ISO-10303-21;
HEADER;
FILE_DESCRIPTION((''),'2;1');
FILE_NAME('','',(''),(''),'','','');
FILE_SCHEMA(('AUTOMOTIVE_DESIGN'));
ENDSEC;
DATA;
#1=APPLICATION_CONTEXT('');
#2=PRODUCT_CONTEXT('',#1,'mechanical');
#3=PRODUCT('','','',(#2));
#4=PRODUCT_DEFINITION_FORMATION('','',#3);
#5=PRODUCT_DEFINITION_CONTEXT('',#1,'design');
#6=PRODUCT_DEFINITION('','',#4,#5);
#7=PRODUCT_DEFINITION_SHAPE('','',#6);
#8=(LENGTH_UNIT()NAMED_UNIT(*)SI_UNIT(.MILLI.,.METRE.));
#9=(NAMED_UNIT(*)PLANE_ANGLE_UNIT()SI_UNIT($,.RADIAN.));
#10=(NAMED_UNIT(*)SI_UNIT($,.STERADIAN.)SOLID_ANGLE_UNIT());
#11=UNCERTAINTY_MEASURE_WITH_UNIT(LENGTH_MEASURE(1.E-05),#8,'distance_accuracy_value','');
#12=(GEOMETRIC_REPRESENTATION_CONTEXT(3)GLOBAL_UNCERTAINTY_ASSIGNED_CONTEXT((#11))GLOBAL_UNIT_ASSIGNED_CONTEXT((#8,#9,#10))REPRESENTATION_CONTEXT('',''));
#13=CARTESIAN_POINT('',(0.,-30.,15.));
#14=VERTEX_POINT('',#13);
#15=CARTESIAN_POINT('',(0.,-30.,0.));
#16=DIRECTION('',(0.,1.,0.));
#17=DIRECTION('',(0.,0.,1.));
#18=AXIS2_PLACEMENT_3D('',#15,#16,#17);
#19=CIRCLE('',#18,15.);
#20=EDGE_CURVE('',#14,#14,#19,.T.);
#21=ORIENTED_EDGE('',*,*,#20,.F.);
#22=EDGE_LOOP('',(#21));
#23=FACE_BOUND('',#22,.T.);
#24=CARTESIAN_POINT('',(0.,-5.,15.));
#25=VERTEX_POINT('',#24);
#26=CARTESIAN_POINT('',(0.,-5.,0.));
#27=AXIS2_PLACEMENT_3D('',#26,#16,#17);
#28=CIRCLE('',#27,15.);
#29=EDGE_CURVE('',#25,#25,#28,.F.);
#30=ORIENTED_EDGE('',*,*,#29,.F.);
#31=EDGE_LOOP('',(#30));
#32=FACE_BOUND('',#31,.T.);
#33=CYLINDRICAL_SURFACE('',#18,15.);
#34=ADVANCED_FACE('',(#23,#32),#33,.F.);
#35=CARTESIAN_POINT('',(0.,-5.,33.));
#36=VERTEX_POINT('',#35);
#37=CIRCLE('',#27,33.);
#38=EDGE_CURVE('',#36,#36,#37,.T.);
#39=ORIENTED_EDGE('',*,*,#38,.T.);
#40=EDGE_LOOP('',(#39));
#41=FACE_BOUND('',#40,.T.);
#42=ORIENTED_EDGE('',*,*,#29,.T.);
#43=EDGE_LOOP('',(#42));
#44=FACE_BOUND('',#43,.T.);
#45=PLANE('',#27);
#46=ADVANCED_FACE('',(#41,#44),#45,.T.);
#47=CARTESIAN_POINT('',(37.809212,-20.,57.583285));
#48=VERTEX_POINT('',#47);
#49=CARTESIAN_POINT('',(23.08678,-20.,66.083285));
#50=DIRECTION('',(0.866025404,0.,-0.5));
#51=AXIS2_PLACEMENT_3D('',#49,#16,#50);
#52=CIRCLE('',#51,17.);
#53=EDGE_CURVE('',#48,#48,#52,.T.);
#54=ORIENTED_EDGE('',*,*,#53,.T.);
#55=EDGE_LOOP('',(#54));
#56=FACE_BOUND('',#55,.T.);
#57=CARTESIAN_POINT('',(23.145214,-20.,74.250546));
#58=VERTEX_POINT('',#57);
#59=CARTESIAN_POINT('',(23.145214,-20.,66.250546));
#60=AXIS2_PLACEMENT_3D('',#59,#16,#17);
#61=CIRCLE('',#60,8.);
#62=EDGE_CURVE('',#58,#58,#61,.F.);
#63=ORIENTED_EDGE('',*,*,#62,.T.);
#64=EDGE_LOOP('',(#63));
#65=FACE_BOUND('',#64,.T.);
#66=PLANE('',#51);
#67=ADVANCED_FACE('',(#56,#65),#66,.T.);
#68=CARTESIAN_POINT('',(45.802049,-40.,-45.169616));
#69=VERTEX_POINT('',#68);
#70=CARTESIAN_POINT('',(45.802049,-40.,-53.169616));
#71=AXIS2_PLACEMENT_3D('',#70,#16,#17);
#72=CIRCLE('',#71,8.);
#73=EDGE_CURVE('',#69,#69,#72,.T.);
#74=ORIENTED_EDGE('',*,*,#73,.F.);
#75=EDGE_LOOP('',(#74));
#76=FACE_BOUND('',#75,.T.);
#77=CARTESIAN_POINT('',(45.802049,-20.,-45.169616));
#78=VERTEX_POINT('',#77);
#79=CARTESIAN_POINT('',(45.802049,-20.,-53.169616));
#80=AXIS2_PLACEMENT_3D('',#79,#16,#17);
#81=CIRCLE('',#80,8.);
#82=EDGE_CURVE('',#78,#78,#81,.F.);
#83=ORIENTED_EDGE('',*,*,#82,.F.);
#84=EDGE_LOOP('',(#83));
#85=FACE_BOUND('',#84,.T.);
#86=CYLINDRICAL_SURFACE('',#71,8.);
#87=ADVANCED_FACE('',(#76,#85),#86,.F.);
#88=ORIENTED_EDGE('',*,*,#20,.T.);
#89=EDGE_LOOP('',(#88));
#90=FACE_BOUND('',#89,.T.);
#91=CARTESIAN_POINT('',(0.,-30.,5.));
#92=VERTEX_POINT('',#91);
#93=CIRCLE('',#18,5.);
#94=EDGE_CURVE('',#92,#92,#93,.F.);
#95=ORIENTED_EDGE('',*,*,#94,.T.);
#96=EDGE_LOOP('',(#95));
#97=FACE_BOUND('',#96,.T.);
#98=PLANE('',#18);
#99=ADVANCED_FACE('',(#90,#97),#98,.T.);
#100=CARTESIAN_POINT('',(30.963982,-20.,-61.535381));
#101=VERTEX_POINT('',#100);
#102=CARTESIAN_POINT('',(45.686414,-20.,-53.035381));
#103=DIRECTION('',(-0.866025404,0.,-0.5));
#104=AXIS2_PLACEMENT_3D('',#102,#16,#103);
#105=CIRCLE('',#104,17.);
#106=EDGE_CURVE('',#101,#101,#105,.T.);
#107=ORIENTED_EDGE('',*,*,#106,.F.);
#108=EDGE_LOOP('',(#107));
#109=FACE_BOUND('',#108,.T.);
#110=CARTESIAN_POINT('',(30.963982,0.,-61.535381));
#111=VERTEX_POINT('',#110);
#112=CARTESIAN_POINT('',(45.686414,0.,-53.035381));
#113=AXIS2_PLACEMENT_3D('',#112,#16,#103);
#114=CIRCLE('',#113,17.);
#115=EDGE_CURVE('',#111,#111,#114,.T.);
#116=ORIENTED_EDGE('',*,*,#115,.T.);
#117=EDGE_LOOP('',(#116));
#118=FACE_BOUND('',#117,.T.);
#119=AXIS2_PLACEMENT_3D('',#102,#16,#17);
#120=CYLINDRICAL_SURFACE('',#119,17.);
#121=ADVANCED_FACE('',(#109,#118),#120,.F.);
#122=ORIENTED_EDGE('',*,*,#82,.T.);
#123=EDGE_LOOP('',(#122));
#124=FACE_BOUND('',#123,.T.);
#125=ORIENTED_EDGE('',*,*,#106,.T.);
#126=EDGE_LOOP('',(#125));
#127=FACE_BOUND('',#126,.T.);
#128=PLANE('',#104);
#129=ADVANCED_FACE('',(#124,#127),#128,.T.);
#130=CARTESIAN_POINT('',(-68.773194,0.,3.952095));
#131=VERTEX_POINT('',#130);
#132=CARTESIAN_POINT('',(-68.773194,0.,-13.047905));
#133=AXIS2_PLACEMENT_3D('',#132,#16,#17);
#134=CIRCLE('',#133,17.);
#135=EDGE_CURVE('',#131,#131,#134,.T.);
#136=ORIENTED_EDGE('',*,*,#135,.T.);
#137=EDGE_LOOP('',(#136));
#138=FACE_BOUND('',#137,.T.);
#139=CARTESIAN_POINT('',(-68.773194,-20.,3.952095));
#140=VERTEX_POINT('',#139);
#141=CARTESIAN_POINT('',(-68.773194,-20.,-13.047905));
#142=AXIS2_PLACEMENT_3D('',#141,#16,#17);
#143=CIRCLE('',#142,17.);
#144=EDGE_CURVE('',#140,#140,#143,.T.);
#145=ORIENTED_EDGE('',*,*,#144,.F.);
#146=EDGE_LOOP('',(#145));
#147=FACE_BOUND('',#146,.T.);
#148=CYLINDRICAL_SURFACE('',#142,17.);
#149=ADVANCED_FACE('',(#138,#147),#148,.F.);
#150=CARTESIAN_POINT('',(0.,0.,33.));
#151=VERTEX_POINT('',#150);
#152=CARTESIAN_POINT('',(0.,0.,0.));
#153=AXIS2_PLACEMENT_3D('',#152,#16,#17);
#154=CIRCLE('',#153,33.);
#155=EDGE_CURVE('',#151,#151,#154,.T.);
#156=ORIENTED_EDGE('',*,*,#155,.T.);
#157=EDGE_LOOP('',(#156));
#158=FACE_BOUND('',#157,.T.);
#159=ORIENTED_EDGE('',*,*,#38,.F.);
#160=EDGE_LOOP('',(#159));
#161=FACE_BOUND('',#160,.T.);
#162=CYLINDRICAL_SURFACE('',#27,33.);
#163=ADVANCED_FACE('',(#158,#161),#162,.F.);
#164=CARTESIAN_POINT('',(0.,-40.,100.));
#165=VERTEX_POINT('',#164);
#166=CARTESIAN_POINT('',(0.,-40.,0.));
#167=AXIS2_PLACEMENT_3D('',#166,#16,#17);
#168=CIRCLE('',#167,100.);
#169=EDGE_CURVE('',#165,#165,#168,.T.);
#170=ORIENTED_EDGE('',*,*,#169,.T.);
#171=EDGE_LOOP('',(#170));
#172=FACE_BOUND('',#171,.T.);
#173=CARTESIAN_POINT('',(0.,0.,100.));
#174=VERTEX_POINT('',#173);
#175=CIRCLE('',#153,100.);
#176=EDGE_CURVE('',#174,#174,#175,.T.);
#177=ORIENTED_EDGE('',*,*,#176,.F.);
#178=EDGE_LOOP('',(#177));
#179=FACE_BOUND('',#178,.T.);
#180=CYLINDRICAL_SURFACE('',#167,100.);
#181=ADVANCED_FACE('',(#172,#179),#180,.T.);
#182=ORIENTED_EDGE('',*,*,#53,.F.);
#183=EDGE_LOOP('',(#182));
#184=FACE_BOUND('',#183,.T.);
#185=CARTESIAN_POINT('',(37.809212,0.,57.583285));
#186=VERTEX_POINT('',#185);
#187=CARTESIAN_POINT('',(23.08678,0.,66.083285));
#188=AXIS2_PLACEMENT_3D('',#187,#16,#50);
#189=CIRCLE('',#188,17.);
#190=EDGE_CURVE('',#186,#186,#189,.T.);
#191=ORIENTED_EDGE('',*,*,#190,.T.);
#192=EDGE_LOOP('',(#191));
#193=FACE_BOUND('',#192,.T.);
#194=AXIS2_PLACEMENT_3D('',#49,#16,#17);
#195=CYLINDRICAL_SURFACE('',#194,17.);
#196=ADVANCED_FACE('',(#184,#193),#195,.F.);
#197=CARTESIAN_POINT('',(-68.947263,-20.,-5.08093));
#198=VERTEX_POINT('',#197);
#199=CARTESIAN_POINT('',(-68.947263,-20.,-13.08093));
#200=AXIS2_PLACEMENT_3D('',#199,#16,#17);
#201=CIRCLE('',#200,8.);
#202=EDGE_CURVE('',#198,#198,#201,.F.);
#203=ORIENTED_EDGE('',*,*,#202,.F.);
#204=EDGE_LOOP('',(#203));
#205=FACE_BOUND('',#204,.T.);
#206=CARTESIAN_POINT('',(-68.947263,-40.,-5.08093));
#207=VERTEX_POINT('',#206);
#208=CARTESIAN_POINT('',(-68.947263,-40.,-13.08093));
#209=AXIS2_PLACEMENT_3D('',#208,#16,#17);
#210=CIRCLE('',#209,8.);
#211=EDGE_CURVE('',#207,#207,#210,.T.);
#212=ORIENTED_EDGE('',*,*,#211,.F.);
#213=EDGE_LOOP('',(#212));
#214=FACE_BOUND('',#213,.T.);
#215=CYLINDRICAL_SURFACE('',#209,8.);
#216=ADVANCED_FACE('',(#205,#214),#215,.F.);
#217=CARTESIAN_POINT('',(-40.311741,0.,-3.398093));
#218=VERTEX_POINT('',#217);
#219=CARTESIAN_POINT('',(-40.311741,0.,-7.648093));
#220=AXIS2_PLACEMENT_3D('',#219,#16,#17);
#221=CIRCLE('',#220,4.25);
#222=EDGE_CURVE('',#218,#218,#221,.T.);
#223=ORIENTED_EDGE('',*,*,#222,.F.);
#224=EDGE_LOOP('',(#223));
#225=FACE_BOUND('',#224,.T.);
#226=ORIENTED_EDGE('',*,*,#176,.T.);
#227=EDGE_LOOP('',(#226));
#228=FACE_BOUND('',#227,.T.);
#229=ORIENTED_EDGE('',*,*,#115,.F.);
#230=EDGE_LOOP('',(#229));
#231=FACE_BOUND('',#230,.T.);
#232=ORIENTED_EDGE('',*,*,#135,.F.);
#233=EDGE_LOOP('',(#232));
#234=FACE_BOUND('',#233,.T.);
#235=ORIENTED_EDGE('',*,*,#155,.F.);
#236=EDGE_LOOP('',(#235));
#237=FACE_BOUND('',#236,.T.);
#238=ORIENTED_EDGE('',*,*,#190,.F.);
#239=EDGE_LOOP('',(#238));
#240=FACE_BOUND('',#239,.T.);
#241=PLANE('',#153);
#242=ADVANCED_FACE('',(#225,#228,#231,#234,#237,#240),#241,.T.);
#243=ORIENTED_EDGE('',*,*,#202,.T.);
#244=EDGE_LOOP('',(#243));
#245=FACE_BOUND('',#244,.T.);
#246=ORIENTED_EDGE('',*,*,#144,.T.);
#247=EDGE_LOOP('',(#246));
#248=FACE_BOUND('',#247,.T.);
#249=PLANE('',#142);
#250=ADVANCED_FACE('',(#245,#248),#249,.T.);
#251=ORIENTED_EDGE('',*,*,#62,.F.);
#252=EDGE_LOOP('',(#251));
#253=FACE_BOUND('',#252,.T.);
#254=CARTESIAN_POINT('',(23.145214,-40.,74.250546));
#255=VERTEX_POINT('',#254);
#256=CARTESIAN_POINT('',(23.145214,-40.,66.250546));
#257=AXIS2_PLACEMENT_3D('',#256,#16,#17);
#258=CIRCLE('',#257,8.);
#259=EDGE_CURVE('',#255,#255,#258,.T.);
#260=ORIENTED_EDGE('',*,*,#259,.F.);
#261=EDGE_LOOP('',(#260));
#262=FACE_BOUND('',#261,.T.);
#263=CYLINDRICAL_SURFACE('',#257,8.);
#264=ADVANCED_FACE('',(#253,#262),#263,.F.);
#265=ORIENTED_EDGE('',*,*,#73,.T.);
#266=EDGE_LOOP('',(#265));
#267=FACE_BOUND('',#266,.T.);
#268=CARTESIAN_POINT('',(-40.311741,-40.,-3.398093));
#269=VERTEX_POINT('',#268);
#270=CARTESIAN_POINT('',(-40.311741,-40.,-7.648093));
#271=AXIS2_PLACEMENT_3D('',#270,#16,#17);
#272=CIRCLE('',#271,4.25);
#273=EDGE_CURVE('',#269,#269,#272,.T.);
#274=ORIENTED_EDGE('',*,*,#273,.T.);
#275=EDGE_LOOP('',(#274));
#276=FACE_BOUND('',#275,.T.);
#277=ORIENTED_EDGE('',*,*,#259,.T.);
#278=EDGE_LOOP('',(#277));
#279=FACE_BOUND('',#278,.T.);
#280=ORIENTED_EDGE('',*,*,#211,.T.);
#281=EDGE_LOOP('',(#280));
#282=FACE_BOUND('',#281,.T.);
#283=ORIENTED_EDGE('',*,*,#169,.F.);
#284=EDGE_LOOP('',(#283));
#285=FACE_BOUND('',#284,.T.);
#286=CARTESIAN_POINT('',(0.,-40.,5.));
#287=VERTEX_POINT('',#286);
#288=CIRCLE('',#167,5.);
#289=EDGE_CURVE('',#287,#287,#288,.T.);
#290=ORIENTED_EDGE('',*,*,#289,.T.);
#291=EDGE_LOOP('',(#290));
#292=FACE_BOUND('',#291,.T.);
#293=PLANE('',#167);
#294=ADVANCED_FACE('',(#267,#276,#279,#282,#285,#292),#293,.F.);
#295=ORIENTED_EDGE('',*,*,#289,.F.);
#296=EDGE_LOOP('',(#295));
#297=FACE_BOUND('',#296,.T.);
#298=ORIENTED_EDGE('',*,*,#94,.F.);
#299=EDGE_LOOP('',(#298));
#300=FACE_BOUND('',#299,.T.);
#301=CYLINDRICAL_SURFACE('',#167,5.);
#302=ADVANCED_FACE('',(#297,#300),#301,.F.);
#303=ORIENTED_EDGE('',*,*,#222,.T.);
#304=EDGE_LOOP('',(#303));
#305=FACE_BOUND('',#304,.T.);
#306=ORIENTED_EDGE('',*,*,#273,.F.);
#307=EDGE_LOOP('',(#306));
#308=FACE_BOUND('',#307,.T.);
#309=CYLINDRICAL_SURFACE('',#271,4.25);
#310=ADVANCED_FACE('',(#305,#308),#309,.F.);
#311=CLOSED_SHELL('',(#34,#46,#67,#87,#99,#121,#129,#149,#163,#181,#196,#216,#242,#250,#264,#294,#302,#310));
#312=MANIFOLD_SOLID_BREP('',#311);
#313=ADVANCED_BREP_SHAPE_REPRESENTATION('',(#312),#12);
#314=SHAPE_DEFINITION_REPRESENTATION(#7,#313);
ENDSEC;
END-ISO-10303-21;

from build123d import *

# Parameters (mm, degrees)
ESQUISSE1_R                  = 100
ESQUISSE1_R_2                = 4.25
ESQUISSE1_R_3                = 8
BOSS_EXTRU_1_DEPTH           = 40
ESQUISSE3_R                  = 5
ENL_V_MAT_EXTRU_2_DEPTH      = 41
ESQUISSE5_R                  = 15
ENL_V_MAT_EXTRU_3_DEPTH      = 30
ESQUISSE6_R                  = 33
ENL_V_MAT_EXTRU_4_DEPTH      = 5
ESQUISSE8_R                  = 17
ENL_V_MAT_EXTRU_5_DEPTH      = 20
R_P_TITION_CIRCULAIRE1_COUNT = 3


with BuildPart() as part:
    # Esquisse1 → Boss.-Extru.1 (new body)
    with BuildSketch(Plane(origin=(0, 0, 0), x_dir=(1, 0, 0), z_dir=(0, 1, 0))):
        with Locations(Location((0, 0, 0), (0, 0, 270))):  # turned: the seam where the file's is
            Circle(ESQUISSE1_R)
        with Locations(Location((-40.311740852, 7.648092634, 0), (0, 0, 270))):  # turned: the seam where the file's is
            Circle(ESQUISSE1_R_2, mode=Mode.SUBTRACT)
        with Locations(Location((-68.947262615, 13.080929779, 0), (0, 0, 270))):  # turned: the seam where the file's is
            Circle(ESQUISSE1_R_3, mode=Mode.SUBTRACT)
        with Locations(Location((45.802048801, 53.169616056, 0), (0, 0, 270))):  # turned: the seam where the file's is
            Circle(ESQUISSE1_R_3, mode=Mode.SUBTRACT)
        with Locations(Location((23.145213813, -66.250545836, 0), (0, 0, 270))):  # turned: the seam where the file's is
            Circle(ESQUISSE1_R_3, mode=Mode.SUBTRACT)
    extrude(amount=-BOSS_EXTRU_1_DEPTH)

    # Esquisse3 → Enlèv. mat.-Extru.2 (cut, through all)
    with BuildSketch(Plane(origin=(0, 0, 0), x_dir=(1, 0, 0), z_dir=(0, 1, 0))):
        with Locations(Location((0, 0, 0), (0, 0, 270))):  # turned: the seam where the file's is
            Circle(ESQUISSE3_R)
    extrude(amount=-ENL_V_MAT_EXTRU_2_DEPTH, mode=Mode.SUBTRACT)

    # Esquisse5 → Enlèv. mat.-Extru.3 (cut)
    with BuildSketch(Plane(origin=(0, 0, 0), x_dir=(1, 0, 0), z_dir=(0, 1, 0))):
        with Locations(Location((0, 0, 0), (0, 0, 270))):  # turned: the seam where the file's is
            Circle(ESQUISSE5_R)
    extrude(amount=-ENL_V_MAT_EXTRU_3_DEPTH, mode=Mode.SUBTRACT)

    # Esquisse6 → Enlèv. mat.-Extru.4 (cut)
    with BuildSketch(Plane(origin=(0, 0, 0), x_dir=(1, 0, 0), z_dir=(0, 1, 0))):
        with Locations(Location((0, 0, 0), (0, 0, 270))):  # turned: the seam where the file's is
            Circle(ESQUISSE6_R)
    extrude(amount=-ENL_V_MAT_EXTRU_4_DEPTH, mode=Mode.SUBTRACT)

    # Esquisse8 → Enlèv. mat.-Extru.5 (cut)
    with BuildSketch(Plane(origin=(0, 0, 0), x_dir=(1, 0, 0), z_dir=(0, 1, 0))):
        with Locations(Location((-68.773193764, 13.047904793, 0), (0, 0, 270))):  # turned: the seam where the file's is
            Circle(ESQUISSE8_R)
    enl_v_mat_extru_5 = extrude(amount=-ENL_V_MAT_EXTRU_5_DEPTH, mode=Mode.SUBTRACT)

    # Répétition circulaire1: Enlèv. mat.-Extru.5 ×3 about axis
    r_p_tition_circulaire1_axis = Axis((0, 0, 0), (0, 1, 0))
    for i in range(1, R_P_TITION_CIRCULAIRE1_COUNT):
        add(enl_v_mat_extru_5.rotate(r_p_tition_circulaire1_axis, i * 360 / R_P_TITION_CIRCULAIRE1_COUNT), mode=Mode.SUBTRACT)


solid = part.part
